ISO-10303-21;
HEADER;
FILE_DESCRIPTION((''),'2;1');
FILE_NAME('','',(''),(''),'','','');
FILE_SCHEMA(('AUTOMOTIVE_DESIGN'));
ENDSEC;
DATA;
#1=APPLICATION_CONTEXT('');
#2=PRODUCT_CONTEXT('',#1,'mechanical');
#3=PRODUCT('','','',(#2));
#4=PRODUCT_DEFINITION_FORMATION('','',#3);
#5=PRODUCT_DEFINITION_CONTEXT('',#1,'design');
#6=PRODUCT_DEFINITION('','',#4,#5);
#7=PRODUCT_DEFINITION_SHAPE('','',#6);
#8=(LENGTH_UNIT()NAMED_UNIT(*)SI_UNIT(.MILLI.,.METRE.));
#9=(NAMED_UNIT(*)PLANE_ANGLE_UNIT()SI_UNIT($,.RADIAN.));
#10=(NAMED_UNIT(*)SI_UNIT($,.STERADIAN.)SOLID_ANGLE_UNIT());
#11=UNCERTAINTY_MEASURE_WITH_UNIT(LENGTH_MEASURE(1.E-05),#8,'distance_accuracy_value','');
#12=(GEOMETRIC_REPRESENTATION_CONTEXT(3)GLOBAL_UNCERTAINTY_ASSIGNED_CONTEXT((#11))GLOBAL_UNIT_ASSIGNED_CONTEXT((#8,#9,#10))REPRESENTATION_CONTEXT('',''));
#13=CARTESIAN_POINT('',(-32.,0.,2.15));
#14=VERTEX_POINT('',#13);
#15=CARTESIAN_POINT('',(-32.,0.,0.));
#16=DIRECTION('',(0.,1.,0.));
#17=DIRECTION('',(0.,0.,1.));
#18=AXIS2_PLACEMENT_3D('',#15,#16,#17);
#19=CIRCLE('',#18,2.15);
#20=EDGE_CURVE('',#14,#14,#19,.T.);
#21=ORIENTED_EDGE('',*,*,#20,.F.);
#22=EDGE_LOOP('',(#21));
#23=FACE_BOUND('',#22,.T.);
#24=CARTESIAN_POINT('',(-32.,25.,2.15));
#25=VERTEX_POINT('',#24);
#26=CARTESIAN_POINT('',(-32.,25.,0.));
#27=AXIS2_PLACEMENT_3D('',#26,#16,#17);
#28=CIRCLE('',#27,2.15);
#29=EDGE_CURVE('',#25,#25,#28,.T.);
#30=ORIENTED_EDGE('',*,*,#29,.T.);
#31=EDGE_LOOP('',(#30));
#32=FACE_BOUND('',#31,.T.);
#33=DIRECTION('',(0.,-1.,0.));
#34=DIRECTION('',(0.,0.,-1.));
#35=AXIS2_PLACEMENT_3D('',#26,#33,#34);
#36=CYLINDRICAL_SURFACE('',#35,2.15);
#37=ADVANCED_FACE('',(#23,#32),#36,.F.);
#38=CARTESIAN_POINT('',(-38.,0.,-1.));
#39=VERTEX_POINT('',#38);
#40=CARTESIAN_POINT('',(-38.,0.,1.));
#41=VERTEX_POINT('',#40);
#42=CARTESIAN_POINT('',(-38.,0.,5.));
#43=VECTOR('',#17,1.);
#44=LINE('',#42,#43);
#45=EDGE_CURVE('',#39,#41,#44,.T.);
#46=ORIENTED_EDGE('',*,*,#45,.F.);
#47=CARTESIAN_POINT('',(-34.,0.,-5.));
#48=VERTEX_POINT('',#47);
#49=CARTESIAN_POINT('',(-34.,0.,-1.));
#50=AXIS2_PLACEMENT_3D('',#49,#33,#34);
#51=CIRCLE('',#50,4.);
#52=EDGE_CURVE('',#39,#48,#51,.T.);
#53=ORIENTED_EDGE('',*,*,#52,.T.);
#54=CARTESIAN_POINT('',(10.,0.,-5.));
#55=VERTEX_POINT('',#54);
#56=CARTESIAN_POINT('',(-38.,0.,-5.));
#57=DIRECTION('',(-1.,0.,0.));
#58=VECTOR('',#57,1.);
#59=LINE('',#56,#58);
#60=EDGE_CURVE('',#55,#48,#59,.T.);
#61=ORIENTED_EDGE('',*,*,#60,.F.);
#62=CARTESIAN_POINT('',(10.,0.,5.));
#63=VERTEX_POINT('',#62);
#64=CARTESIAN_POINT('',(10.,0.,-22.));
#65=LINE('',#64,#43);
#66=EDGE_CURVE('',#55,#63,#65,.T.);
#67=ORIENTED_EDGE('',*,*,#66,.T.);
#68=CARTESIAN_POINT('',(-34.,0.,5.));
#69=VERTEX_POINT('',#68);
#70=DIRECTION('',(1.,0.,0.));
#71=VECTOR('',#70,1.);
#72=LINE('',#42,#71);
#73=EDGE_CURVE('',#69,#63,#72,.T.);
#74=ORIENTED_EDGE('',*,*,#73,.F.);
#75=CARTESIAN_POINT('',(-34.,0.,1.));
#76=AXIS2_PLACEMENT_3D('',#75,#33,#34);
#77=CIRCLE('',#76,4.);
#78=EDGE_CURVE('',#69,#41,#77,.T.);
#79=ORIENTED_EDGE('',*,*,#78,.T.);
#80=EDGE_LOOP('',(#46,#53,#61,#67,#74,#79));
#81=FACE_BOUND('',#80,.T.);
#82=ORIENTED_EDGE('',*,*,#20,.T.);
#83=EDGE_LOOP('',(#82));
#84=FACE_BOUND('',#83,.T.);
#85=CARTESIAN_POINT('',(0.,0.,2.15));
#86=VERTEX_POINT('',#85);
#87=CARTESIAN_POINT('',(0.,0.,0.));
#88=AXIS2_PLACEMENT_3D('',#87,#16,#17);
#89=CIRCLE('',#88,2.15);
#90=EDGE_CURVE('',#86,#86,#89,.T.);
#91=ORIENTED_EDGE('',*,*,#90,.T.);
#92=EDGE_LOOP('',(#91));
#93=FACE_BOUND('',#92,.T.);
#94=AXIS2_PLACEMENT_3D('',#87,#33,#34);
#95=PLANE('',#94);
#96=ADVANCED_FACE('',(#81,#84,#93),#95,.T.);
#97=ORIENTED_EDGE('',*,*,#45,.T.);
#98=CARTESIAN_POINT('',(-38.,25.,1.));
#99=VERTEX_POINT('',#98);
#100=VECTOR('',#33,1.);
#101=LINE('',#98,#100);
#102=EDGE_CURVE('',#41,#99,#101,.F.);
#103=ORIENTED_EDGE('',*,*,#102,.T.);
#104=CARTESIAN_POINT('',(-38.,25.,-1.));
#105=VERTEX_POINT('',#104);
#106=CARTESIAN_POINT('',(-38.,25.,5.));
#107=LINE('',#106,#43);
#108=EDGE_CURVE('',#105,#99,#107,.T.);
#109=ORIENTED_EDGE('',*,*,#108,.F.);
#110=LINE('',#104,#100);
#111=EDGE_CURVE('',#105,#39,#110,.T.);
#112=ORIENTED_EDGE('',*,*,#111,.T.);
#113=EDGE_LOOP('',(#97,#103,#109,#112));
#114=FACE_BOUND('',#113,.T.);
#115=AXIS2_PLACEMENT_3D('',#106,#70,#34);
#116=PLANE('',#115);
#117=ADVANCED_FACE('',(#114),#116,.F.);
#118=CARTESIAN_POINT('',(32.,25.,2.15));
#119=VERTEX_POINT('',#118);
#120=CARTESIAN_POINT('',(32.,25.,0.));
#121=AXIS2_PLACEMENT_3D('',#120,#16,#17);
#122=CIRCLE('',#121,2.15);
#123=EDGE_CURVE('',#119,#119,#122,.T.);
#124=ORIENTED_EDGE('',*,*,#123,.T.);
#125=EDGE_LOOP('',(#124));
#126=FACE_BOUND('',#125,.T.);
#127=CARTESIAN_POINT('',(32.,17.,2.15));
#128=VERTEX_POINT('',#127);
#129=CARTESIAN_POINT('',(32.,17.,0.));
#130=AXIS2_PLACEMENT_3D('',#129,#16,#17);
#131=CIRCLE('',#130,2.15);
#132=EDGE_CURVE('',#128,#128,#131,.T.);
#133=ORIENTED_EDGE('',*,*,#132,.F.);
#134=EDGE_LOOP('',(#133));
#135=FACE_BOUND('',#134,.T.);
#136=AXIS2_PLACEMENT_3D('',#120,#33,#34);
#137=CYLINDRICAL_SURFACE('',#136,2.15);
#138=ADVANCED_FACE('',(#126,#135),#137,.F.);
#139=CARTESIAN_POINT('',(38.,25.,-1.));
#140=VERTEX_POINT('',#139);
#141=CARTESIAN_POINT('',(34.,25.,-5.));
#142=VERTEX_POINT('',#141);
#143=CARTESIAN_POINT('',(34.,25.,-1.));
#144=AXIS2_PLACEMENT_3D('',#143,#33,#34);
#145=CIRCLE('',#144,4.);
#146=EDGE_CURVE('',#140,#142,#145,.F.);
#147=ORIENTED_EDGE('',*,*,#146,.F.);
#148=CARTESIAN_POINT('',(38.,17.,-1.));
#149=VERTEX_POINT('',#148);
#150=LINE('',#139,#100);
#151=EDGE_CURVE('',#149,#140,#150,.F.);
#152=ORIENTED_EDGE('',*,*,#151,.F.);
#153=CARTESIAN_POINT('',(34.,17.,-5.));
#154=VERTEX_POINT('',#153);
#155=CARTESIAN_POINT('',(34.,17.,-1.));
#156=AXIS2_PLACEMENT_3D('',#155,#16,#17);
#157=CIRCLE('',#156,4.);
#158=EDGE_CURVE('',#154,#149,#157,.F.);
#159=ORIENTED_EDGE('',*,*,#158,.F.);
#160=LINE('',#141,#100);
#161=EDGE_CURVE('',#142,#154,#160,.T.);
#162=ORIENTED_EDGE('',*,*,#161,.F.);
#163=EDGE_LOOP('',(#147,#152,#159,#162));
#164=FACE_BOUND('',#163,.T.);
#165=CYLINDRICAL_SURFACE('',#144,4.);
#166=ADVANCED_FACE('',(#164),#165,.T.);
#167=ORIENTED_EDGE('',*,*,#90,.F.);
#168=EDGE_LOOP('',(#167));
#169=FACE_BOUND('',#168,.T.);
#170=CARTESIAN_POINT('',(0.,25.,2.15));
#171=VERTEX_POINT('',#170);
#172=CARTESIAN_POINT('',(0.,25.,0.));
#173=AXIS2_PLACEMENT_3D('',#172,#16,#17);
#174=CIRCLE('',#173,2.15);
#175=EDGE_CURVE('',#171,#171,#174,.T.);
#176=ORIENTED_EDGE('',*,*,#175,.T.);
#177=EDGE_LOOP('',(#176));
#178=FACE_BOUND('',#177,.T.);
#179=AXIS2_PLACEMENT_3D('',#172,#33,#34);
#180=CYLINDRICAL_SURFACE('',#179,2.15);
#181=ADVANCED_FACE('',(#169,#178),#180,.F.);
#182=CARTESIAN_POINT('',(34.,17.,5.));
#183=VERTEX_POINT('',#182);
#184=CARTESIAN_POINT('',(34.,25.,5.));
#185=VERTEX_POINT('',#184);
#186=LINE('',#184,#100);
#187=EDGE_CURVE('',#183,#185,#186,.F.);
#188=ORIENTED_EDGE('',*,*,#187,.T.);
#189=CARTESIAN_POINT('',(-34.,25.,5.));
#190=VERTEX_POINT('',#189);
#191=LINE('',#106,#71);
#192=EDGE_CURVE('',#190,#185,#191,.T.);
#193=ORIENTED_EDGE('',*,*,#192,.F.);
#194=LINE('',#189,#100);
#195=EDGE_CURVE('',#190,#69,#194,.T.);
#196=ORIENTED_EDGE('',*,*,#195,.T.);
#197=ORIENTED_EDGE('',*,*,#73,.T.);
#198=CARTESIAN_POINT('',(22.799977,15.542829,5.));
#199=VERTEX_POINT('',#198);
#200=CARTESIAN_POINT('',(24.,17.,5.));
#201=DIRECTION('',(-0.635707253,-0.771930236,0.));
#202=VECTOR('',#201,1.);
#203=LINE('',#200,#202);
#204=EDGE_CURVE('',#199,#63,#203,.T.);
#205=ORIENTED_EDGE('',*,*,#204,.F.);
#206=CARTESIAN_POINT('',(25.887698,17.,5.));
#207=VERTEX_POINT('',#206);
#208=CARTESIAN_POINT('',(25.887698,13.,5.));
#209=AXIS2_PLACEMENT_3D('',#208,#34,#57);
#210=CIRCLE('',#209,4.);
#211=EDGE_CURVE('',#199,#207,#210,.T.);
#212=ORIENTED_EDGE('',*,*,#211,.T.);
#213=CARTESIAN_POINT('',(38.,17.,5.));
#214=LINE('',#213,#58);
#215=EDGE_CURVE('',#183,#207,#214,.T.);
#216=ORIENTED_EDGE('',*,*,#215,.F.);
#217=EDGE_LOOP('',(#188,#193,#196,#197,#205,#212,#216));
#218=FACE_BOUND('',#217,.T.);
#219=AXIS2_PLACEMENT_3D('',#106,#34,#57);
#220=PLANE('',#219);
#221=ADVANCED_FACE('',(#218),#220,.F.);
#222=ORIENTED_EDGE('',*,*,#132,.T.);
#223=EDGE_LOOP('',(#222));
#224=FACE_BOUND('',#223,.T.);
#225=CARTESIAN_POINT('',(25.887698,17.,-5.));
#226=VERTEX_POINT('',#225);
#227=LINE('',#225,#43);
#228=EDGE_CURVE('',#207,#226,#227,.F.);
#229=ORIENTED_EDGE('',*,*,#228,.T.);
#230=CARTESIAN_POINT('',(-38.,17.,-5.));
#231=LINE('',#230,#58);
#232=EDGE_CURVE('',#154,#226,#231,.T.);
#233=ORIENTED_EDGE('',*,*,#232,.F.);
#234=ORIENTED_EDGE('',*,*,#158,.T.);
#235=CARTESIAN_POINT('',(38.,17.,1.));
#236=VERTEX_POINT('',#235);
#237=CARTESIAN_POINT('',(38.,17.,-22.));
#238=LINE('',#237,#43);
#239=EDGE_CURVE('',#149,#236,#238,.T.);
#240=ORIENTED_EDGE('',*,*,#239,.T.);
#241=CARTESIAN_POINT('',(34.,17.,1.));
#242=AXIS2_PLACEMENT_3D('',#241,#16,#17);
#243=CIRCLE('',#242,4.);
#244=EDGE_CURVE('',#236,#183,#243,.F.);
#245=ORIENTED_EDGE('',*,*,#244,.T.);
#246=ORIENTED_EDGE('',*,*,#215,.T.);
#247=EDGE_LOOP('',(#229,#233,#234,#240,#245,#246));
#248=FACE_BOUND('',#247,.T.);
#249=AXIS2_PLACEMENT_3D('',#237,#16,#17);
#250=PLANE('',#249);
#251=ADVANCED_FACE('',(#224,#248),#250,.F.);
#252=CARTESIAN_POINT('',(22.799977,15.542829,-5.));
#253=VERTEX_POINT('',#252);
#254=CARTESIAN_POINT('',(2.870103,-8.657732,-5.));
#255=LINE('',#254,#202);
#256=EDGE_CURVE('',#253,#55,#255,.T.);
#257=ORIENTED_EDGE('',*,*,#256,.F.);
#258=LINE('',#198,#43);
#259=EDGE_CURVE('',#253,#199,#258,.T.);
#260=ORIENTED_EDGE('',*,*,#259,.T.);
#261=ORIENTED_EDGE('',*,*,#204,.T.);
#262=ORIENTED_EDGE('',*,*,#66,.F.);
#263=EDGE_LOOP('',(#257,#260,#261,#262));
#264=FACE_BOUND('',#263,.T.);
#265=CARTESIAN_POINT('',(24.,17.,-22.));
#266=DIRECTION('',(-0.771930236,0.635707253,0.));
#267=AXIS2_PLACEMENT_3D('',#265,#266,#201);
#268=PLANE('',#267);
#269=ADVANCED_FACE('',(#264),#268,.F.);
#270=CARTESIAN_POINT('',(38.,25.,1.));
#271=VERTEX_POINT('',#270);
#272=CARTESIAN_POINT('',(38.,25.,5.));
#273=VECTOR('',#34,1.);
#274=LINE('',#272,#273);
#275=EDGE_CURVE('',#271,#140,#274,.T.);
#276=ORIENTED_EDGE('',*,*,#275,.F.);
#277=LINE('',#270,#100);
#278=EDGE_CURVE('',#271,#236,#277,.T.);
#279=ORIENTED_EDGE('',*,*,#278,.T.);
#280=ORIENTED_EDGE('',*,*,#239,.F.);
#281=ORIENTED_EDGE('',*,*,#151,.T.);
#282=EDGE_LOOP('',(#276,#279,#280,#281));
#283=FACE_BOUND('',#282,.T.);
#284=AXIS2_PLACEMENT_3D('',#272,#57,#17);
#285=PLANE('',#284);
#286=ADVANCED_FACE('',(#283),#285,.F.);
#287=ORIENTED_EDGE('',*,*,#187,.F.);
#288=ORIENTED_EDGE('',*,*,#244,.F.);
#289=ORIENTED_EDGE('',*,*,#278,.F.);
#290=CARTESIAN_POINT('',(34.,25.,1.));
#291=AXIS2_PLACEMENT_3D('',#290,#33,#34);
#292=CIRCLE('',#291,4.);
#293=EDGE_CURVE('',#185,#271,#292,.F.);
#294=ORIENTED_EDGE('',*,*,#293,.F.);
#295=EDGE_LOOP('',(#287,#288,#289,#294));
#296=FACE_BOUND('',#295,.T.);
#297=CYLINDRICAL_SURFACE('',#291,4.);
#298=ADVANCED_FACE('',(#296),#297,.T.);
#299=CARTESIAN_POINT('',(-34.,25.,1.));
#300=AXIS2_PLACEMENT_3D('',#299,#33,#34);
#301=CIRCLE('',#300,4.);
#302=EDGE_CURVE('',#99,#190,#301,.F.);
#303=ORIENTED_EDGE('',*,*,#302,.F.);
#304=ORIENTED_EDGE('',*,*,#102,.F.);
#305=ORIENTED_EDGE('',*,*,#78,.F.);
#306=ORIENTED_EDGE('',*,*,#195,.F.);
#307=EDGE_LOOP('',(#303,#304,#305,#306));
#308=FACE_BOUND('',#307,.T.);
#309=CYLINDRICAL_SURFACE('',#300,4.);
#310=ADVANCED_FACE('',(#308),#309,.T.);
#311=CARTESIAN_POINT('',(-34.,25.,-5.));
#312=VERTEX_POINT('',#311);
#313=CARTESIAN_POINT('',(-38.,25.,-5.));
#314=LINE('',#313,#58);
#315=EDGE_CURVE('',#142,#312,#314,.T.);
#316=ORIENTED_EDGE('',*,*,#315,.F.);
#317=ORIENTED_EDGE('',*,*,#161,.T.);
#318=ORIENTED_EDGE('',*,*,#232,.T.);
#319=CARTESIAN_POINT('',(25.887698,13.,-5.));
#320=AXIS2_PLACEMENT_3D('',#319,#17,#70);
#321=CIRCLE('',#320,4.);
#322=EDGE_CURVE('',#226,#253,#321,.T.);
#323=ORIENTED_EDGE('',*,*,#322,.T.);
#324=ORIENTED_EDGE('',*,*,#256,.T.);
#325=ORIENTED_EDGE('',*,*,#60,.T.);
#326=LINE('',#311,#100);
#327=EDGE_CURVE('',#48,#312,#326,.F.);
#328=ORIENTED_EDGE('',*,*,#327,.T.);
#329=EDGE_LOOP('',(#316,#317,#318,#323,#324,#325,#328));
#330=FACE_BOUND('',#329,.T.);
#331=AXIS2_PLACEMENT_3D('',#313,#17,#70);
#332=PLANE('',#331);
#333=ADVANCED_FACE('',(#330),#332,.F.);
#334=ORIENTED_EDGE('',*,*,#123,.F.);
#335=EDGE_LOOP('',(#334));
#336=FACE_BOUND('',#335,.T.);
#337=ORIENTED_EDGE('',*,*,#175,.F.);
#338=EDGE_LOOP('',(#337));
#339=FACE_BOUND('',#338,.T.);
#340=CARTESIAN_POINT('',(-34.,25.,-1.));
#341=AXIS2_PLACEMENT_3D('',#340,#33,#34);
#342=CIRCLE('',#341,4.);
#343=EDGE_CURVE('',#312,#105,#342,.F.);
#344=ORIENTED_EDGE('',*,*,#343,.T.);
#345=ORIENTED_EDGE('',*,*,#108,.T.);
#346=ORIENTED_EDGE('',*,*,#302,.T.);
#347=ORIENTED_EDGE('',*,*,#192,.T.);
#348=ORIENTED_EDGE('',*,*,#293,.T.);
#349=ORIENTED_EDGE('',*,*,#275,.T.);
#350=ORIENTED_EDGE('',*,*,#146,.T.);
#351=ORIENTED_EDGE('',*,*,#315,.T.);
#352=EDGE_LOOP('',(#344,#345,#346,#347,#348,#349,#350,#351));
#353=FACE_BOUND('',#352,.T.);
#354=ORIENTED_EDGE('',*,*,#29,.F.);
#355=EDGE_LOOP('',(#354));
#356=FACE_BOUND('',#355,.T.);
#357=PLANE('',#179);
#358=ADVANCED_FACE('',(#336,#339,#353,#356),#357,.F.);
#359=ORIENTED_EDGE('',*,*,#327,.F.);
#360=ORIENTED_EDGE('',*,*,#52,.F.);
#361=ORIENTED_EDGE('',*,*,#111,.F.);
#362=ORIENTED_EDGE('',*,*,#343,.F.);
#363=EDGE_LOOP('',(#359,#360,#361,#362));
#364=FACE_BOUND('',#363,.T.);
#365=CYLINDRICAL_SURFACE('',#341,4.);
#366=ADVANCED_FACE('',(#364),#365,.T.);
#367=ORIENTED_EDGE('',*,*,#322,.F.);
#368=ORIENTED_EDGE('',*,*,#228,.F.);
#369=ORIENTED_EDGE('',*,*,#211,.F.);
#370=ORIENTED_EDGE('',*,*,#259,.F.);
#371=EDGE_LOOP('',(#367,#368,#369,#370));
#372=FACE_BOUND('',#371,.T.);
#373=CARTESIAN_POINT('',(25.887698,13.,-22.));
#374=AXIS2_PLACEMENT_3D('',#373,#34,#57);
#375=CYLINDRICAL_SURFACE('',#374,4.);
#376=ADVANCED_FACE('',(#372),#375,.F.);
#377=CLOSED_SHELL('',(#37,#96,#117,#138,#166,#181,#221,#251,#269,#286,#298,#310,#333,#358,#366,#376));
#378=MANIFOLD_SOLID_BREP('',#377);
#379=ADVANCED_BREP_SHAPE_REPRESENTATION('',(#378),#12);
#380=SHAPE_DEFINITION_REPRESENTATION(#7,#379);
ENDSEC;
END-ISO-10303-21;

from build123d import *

# Parameters (mm, degrees)
SKETCH2_W           = 76
SKETCH2_H           = 10
SKETCH2_R           = 2.15
BOSS_EXTRUDE1_DEPTH = 25
CUT_EXTRUDE1_DEPTH  = 27
FILLET1_R           = 4


with BuildPart() as part:
    # Sketch2 → Boss-Extrude1 (new body)
    with BuildSketch(Plane(origin=(0, 0, 0), x_dir=(1, 0, 0), z_dir=(0, 1, 0))):
        Rectangle(SKETCH2_W, SKETCH2_H)
        with Locations((-32, 0)):
            Circle(SKETCH2_R, mode=Mode.SUBTRACT)
        Circle(SKETCH2_R, mode=Mode.SUBTRACT)
        with Locations((32, 0)):
            Circle(SKETCH2_R, mode=Mode.SUBTRACT)
    extrude(amount=BOSS_EXTRUDE1_DEPTH)

    # Sketch3 → Cut-Extrude1 (cut)
    with BuildSketch(Plane.XY.offset(5)):
        Polygon((38, 17), (24, 17), (10, 0), (38, 0), align=None)
    extrude(amount=-CUT_EXTRUDE1_DEPTH, mode=Mode.SUBTRACT)

    # Fillet1
    fillet1_edges = [part.edges().sort_by_distance(p)[0] for p in [
        (24, 17, 0),
        (38, 21, 5),
        (-38, 12.5, 5),
        (-38, 12.5, -5),
        (38, 21, -5),
    ]]
    fillet(fillet1_edges, radius=FILLET1_R)


solid = part.part
